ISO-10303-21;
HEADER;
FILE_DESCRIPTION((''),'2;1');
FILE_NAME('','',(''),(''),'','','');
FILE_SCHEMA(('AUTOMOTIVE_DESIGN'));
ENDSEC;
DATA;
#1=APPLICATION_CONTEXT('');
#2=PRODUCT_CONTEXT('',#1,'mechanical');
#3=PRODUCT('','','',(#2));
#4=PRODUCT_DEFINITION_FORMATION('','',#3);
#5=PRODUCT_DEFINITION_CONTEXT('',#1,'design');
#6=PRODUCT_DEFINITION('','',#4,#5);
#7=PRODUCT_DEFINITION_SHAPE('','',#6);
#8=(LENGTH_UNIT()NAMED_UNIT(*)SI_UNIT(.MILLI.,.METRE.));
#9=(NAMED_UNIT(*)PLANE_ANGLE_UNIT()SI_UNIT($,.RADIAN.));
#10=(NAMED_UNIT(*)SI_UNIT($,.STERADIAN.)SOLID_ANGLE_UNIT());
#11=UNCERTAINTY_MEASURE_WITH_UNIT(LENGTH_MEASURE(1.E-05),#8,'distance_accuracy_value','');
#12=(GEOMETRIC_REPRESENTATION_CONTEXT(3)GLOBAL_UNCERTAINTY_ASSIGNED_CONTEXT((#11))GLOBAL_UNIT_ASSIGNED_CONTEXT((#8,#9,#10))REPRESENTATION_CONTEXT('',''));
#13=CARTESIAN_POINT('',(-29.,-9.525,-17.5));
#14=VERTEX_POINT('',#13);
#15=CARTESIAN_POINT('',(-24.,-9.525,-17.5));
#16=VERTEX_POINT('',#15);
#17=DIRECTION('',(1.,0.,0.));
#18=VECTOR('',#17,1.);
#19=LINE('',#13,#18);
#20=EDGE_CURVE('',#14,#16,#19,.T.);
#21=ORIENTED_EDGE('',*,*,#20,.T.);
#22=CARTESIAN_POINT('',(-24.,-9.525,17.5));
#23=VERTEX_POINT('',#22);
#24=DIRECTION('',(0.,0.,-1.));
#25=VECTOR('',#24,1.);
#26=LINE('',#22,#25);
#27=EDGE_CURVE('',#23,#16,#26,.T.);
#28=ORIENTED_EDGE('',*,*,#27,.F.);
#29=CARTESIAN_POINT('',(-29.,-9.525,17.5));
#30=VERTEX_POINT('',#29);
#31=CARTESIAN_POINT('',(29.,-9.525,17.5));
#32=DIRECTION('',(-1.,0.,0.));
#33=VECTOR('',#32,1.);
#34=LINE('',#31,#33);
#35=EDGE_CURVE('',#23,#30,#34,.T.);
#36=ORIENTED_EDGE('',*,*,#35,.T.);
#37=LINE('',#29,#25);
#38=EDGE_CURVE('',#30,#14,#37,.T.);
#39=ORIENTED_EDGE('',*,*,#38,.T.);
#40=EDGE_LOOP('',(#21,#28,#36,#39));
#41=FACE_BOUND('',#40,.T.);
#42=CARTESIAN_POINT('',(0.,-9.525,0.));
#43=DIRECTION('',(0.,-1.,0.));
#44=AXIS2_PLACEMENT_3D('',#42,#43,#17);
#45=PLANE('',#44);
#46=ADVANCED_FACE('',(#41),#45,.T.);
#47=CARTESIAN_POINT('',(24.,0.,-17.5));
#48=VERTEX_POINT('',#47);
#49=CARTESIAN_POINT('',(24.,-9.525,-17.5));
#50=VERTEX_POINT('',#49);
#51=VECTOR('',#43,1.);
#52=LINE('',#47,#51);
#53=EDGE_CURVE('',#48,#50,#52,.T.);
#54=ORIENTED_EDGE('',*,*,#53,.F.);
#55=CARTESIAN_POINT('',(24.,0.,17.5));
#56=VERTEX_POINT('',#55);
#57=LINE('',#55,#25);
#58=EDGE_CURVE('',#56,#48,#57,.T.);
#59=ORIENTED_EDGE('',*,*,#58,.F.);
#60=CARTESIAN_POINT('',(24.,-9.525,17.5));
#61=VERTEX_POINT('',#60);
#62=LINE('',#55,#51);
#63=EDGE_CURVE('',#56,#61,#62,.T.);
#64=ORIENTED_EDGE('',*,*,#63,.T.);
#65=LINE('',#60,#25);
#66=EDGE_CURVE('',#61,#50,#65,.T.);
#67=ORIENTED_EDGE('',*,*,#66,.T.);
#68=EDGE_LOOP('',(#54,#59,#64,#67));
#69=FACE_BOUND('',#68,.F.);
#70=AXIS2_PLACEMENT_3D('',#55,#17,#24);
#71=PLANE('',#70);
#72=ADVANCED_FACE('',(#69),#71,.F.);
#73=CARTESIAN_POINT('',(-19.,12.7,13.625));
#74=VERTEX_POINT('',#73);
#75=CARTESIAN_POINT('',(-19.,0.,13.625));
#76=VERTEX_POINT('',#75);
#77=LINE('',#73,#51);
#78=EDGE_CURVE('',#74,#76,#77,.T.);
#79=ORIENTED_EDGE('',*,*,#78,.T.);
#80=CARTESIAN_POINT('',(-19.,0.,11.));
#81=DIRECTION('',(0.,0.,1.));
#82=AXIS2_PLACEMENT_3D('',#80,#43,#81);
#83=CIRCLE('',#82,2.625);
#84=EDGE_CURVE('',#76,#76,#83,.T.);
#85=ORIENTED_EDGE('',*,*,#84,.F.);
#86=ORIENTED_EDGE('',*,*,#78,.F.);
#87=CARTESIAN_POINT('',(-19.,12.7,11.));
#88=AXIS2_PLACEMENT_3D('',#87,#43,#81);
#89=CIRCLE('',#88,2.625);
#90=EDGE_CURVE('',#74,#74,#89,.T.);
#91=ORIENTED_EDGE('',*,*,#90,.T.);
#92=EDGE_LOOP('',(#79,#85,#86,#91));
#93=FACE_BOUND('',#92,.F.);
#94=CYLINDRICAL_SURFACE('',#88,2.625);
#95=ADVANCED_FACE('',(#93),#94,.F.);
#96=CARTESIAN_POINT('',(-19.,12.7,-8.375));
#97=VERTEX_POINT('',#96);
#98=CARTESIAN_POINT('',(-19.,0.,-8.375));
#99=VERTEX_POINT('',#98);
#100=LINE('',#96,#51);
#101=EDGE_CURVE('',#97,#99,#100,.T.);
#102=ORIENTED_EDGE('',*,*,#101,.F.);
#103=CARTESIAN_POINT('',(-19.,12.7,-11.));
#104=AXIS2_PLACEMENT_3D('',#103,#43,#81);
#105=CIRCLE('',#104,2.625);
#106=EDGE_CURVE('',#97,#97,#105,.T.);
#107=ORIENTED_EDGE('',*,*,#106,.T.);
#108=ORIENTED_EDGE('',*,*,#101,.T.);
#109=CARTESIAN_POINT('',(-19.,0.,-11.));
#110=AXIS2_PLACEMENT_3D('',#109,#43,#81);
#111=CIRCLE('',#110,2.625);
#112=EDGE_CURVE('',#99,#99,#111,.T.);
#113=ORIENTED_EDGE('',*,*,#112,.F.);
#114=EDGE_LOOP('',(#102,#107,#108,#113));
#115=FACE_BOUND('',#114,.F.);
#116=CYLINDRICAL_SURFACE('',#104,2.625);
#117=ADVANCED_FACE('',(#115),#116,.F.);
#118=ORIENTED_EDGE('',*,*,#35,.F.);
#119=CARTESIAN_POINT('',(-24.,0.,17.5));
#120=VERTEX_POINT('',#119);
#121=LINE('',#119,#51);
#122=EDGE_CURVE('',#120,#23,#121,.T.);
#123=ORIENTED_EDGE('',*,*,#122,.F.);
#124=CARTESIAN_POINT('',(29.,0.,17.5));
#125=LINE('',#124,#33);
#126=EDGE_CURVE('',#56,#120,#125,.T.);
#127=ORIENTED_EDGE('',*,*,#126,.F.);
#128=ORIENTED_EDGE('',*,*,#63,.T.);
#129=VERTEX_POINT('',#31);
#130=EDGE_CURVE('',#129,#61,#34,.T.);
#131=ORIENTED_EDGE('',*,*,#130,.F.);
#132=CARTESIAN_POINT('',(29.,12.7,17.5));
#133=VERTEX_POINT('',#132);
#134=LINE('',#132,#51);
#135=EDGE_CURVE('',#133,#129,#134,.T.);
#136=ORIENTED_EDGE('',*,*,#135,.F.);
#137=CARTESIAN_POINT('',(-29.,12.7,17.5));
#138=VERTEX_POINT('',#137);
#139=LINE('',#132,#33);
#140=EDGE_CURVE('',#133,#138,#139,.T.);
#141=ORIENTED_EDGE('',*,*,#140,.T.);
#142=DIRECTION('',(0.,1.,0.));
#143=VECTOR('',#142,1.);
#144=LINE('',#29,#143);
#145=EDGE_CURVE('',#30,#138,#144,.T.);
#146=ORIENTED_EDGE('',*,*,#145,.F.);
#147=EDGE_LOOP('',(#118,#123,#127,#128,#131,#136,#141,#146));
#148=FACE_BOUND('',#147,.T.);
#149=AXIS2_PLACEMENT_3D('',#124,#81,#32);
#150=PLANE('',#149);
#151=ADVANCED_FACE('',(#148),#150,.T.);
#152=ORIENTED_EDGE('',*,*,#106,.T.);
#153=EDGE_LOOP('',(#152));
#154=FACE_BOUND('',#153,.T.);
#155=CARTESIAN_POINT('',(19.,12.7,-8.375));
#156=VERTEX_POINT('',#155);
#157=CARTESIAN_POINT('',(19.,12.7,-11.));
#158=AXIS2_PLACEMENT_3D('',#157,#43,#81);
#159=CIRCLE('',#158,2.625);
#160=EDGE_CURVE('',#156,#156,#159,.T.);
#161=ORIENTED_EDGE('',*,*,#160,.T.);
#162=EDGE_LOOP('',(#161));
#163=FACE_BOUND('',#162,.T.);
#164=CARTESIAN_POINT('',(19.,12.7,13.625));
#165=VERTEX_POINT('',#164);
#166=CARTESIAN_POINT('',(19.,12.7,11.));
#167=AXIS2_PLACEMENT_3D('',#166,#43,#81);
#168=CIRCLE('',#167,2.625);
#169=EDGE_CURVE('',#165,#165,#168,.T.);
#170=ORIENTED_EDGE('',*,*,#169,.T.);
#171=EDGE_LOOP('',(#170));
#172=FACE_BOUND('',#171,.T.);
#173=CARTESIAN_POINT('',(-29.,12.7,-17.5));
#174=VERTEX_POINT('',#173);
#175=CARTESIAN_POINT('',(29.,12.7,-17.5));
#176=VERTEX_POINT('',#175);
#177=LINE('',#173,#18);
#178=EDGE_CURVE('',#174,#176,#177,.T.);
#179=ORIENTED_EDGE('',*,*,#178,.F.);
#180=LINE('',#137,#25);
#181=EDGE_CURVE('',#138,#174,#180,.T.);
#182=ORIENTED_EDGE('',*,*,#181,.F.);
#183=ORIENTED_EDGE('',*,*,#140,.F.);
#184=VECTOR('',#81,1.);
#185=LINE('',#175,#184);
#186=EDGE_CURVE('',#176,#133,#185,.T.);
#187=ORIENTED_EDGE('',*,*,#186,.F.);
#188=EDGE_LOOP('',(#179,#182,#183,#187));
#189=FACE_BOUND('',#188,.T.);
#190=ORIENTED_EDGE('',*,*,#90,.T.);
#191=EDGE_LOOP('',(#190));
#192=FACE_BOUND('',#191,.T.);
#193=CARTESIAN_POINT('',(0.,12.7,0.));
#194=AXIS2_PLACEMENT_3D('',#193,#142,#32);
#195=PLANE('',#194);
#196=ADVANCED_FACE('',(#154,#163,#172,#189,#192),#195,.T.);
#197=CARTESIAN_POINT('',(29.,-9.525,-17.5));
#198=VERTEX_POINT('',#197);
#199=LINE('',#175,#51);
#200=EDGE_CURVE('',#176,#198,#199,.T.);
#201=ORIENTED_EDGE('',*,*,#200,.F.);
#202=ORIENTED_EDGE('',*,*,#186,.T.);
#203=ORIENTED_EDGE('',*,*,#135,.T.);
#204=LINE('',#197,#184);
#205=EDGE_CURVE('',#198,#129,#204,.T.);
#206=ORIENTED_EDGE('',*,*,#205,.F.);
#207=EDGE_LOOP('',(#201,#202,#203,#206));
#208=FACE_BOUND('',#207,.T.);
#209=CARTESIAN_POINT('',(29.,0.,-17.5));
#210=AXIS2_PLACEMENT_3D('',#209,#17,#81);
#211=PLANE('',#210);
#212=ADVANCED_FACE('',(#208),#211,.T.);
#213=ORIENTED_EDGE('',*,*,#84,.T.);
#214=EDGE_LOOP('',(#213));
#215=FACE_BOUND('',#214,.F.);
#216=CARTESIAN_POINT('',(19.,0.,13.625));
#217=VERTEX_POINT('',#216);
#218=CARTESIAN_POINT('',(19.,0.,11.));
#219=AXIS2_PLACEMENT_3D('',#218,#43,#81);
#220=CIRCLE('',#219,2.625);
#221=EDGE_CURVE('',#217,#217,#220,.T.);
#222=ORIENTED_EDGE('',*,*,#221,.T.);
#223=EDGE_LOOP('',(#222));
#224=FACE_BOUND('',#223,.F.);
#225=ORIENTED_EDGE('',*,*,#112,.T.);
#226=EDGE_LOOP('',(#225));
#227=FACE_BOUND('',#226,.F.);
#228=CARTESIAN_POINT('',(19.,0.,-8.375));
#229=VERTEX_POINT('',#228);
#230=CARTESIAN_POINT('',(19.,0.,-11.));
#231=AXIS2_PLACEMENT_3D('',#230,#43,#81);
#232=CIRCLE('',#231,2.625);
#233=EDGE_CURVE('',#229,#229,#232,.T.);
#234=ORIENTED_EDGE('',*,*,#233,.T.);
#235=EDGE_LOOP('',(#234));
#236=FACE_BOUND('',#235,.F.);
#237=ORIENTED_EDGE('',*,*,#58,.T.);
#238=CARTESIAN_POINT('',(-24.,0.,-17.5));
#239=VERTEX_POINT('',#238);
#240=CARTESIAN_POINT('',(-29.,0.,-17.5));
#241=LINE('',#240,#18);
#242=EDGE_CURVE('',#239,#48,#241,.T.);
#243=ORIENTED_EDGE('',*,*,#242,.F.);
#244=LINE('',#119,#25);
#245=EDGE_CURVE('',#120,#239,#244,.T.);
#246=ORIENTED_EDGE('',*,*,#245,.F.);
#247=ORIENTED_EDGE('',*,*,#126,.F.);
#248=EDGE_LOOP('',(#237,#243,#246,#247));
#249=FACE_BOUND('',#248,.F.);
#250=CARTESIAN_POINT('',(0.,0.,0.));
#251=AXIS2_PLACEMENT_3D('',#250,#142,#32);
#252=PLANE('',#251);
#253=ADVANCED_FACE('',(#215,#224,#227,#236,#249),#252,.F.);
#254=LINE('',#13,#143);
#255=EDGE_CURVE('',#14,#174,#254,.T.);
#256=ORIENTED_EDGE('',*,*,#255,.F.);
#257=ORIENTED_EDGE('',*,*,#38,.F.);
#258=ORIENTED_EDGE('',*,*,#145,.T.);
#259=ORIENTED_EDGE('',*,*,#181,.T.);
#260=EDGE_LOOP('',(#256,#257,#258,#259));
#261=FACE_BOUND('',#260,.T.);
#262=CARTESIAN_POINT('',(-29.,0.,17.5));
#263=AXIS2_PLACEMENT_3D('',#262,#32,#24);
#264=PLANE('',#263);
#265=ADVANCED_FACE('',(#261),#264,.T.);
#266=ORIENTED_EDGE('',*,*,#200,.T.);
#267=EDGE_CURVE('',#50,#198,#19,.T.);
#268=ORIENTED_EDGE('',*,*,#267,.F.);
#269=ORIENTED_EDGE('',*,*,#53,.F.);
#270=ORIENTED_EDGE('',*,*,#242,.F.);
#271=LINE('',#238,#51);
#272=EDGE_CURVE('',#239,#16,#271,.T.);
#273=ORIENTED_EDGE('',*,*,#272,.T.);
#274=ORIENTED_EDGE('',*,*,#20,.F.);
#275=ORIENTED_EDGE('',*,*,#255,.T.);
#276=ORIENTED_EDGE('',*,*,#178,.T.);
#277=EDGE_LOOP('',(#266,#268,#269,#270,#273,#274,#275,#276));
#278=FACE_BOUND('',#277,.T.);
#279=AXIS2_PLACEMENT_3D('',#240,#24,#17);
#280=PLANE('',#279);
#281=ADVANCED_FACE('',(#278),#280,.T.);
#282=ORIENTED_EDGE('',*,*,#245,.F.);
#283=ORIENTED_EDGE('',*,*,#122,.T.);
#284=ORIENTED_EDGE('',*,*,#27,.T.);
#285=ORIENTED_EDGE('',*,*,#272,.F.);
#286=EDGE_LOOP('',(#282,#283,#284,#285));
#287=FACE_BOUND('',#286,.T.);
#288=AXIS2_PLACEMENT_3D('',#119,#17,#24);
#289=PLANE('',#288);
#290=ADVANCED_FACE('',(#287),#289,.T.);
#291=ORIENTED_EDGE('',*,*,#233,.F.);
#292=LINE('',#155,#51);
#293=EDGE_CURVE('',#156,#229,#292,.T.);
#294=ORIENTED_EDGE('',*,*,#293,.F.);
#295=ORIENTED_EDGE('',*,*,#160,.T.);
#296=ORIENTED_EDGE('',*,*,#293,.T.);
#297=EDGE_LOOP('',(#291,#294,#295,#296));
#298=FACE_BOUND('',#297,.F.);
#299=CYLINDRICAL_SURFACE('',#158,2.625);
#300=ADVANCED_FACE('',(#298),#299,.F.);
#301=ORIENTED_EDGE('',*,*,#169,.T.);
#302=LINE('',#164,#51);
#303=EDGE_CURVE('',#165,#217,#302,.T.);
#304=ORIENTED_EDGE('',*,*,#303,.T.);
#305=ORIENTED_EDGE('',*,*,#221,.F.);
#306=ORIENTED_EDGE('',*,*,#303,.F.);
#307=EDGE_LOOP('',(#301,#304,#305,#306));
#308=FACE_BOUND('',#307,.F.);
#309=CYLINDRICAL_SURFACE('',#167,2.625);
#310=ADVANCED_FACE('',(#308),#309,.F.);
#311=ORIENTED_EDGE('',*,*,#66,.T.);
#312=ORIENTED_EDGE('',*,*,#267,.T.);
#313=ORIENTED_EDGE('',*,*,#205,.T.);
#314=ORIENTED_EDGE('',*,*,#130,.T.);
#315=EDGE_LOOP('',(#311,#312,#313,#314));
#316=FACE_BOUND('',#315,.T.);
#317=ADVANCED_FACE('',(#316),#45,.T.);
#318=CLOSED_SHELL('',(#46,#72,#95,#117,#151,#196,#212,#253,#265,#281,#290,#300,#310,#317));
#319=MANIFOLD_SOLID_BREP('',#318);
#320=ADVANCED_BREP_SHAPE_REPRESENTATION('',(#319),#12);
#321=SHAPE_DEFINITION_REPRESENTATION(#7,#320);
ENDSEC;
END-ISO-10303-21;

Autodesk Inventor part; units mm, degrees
ref_plane "YZ Plane" through (0, 0, 0) normal (1, 0, 0) x (0, 1, 0)
ref_plane "XZ Plane" through (0, 0, 0) normal (0, 1, 0) x (-1, 0, 0)
ref_plane "XY Plane" through (0, 0, 0) normal (0, 0, 1) x (1, 0, 0)
sketch "Sketch1" plane through (0, 0, 0) normal (0, 1, 0) x (-1, 0, 0)
  line L0 (29, -17.5) -> (-29, -17.5)
  line L1 (-29, -17.5) -> (-29, 17.5)
  line L2 (-29, 17.5) -> (29, 17.5)
  line L3 (29, 17.5) -> (29, -17.5)
  line L4 (29, -17.5) -> (-29, 17.5) construction
  line L5 (-29, -17.5) -> (29, 17.5) construction
  point P0 (0, 0)
  dimension "d0" = 58
  dimension "d1" = 35
extrude "Extrusion1" add sketch "Sketch1" along normal blind 12.7
sketch "Sketch2" plane through (0, 0, 0) normal (0, -1, 0) x (1, 0, 0)
  line L0 (-29, -17.5) -> (29, -17.5) projected
  line L1 (29, -17.5) -> (29, 17.5) projected
  line L2 (29, 17.5) -> (-29, 17.5) projected
  line L3 (-29, 17.5) -> (-29, -17.5) projected
  line L4 (-24, 17.5) -> (-24, -17.5)
  line L5 (24, 17.5) -> (24, -17.5)
  point P0 (0, 0)
  dimension "d4" = 5
  dimension "d5" = 5
extrude "Extrusion2" add sketch "Sketch2" along normal blind 9.525 contours L3 L2 L4 L0 | L5 L2 L1 L0
sketch "Sketch3" plane through (0, 12.7, 0) normal (0, 1, 0) x (1, 0, 0)
  line L0 (29, 17.5) -> (-29, 17.5) projected
  line L1 (-29, 17.5) -> (-29, -17.5) projected
  point P0 (0, 0)
  point P1 (-19, 11)
  point P2 (19, 11)
  point P3 (-19, -11)
  point P4 (19, -11)
  dimension "d10" = 38
  dimension "d13" = 22
  dimension "d16" = 10
  dimension "d17" = 58
  dimension "d18" = 35
  dimension "d19" = 6.5
hole "Hole1" at (-19, 12.7, -11) at (19, 12.7, -11) at (-19, 12.7, 11) at (19, 12.7, 11) direction (0, -1, 0) diameter 5.25 end through all
equation "\"d5\" = d4"
equation "\"d16\" = -0.5 * d10 + 0.5 * d17"
equation "\"d19\" = -0.5 * d13 + 0.5 * d18"
properties part number "hd16_standoff"
